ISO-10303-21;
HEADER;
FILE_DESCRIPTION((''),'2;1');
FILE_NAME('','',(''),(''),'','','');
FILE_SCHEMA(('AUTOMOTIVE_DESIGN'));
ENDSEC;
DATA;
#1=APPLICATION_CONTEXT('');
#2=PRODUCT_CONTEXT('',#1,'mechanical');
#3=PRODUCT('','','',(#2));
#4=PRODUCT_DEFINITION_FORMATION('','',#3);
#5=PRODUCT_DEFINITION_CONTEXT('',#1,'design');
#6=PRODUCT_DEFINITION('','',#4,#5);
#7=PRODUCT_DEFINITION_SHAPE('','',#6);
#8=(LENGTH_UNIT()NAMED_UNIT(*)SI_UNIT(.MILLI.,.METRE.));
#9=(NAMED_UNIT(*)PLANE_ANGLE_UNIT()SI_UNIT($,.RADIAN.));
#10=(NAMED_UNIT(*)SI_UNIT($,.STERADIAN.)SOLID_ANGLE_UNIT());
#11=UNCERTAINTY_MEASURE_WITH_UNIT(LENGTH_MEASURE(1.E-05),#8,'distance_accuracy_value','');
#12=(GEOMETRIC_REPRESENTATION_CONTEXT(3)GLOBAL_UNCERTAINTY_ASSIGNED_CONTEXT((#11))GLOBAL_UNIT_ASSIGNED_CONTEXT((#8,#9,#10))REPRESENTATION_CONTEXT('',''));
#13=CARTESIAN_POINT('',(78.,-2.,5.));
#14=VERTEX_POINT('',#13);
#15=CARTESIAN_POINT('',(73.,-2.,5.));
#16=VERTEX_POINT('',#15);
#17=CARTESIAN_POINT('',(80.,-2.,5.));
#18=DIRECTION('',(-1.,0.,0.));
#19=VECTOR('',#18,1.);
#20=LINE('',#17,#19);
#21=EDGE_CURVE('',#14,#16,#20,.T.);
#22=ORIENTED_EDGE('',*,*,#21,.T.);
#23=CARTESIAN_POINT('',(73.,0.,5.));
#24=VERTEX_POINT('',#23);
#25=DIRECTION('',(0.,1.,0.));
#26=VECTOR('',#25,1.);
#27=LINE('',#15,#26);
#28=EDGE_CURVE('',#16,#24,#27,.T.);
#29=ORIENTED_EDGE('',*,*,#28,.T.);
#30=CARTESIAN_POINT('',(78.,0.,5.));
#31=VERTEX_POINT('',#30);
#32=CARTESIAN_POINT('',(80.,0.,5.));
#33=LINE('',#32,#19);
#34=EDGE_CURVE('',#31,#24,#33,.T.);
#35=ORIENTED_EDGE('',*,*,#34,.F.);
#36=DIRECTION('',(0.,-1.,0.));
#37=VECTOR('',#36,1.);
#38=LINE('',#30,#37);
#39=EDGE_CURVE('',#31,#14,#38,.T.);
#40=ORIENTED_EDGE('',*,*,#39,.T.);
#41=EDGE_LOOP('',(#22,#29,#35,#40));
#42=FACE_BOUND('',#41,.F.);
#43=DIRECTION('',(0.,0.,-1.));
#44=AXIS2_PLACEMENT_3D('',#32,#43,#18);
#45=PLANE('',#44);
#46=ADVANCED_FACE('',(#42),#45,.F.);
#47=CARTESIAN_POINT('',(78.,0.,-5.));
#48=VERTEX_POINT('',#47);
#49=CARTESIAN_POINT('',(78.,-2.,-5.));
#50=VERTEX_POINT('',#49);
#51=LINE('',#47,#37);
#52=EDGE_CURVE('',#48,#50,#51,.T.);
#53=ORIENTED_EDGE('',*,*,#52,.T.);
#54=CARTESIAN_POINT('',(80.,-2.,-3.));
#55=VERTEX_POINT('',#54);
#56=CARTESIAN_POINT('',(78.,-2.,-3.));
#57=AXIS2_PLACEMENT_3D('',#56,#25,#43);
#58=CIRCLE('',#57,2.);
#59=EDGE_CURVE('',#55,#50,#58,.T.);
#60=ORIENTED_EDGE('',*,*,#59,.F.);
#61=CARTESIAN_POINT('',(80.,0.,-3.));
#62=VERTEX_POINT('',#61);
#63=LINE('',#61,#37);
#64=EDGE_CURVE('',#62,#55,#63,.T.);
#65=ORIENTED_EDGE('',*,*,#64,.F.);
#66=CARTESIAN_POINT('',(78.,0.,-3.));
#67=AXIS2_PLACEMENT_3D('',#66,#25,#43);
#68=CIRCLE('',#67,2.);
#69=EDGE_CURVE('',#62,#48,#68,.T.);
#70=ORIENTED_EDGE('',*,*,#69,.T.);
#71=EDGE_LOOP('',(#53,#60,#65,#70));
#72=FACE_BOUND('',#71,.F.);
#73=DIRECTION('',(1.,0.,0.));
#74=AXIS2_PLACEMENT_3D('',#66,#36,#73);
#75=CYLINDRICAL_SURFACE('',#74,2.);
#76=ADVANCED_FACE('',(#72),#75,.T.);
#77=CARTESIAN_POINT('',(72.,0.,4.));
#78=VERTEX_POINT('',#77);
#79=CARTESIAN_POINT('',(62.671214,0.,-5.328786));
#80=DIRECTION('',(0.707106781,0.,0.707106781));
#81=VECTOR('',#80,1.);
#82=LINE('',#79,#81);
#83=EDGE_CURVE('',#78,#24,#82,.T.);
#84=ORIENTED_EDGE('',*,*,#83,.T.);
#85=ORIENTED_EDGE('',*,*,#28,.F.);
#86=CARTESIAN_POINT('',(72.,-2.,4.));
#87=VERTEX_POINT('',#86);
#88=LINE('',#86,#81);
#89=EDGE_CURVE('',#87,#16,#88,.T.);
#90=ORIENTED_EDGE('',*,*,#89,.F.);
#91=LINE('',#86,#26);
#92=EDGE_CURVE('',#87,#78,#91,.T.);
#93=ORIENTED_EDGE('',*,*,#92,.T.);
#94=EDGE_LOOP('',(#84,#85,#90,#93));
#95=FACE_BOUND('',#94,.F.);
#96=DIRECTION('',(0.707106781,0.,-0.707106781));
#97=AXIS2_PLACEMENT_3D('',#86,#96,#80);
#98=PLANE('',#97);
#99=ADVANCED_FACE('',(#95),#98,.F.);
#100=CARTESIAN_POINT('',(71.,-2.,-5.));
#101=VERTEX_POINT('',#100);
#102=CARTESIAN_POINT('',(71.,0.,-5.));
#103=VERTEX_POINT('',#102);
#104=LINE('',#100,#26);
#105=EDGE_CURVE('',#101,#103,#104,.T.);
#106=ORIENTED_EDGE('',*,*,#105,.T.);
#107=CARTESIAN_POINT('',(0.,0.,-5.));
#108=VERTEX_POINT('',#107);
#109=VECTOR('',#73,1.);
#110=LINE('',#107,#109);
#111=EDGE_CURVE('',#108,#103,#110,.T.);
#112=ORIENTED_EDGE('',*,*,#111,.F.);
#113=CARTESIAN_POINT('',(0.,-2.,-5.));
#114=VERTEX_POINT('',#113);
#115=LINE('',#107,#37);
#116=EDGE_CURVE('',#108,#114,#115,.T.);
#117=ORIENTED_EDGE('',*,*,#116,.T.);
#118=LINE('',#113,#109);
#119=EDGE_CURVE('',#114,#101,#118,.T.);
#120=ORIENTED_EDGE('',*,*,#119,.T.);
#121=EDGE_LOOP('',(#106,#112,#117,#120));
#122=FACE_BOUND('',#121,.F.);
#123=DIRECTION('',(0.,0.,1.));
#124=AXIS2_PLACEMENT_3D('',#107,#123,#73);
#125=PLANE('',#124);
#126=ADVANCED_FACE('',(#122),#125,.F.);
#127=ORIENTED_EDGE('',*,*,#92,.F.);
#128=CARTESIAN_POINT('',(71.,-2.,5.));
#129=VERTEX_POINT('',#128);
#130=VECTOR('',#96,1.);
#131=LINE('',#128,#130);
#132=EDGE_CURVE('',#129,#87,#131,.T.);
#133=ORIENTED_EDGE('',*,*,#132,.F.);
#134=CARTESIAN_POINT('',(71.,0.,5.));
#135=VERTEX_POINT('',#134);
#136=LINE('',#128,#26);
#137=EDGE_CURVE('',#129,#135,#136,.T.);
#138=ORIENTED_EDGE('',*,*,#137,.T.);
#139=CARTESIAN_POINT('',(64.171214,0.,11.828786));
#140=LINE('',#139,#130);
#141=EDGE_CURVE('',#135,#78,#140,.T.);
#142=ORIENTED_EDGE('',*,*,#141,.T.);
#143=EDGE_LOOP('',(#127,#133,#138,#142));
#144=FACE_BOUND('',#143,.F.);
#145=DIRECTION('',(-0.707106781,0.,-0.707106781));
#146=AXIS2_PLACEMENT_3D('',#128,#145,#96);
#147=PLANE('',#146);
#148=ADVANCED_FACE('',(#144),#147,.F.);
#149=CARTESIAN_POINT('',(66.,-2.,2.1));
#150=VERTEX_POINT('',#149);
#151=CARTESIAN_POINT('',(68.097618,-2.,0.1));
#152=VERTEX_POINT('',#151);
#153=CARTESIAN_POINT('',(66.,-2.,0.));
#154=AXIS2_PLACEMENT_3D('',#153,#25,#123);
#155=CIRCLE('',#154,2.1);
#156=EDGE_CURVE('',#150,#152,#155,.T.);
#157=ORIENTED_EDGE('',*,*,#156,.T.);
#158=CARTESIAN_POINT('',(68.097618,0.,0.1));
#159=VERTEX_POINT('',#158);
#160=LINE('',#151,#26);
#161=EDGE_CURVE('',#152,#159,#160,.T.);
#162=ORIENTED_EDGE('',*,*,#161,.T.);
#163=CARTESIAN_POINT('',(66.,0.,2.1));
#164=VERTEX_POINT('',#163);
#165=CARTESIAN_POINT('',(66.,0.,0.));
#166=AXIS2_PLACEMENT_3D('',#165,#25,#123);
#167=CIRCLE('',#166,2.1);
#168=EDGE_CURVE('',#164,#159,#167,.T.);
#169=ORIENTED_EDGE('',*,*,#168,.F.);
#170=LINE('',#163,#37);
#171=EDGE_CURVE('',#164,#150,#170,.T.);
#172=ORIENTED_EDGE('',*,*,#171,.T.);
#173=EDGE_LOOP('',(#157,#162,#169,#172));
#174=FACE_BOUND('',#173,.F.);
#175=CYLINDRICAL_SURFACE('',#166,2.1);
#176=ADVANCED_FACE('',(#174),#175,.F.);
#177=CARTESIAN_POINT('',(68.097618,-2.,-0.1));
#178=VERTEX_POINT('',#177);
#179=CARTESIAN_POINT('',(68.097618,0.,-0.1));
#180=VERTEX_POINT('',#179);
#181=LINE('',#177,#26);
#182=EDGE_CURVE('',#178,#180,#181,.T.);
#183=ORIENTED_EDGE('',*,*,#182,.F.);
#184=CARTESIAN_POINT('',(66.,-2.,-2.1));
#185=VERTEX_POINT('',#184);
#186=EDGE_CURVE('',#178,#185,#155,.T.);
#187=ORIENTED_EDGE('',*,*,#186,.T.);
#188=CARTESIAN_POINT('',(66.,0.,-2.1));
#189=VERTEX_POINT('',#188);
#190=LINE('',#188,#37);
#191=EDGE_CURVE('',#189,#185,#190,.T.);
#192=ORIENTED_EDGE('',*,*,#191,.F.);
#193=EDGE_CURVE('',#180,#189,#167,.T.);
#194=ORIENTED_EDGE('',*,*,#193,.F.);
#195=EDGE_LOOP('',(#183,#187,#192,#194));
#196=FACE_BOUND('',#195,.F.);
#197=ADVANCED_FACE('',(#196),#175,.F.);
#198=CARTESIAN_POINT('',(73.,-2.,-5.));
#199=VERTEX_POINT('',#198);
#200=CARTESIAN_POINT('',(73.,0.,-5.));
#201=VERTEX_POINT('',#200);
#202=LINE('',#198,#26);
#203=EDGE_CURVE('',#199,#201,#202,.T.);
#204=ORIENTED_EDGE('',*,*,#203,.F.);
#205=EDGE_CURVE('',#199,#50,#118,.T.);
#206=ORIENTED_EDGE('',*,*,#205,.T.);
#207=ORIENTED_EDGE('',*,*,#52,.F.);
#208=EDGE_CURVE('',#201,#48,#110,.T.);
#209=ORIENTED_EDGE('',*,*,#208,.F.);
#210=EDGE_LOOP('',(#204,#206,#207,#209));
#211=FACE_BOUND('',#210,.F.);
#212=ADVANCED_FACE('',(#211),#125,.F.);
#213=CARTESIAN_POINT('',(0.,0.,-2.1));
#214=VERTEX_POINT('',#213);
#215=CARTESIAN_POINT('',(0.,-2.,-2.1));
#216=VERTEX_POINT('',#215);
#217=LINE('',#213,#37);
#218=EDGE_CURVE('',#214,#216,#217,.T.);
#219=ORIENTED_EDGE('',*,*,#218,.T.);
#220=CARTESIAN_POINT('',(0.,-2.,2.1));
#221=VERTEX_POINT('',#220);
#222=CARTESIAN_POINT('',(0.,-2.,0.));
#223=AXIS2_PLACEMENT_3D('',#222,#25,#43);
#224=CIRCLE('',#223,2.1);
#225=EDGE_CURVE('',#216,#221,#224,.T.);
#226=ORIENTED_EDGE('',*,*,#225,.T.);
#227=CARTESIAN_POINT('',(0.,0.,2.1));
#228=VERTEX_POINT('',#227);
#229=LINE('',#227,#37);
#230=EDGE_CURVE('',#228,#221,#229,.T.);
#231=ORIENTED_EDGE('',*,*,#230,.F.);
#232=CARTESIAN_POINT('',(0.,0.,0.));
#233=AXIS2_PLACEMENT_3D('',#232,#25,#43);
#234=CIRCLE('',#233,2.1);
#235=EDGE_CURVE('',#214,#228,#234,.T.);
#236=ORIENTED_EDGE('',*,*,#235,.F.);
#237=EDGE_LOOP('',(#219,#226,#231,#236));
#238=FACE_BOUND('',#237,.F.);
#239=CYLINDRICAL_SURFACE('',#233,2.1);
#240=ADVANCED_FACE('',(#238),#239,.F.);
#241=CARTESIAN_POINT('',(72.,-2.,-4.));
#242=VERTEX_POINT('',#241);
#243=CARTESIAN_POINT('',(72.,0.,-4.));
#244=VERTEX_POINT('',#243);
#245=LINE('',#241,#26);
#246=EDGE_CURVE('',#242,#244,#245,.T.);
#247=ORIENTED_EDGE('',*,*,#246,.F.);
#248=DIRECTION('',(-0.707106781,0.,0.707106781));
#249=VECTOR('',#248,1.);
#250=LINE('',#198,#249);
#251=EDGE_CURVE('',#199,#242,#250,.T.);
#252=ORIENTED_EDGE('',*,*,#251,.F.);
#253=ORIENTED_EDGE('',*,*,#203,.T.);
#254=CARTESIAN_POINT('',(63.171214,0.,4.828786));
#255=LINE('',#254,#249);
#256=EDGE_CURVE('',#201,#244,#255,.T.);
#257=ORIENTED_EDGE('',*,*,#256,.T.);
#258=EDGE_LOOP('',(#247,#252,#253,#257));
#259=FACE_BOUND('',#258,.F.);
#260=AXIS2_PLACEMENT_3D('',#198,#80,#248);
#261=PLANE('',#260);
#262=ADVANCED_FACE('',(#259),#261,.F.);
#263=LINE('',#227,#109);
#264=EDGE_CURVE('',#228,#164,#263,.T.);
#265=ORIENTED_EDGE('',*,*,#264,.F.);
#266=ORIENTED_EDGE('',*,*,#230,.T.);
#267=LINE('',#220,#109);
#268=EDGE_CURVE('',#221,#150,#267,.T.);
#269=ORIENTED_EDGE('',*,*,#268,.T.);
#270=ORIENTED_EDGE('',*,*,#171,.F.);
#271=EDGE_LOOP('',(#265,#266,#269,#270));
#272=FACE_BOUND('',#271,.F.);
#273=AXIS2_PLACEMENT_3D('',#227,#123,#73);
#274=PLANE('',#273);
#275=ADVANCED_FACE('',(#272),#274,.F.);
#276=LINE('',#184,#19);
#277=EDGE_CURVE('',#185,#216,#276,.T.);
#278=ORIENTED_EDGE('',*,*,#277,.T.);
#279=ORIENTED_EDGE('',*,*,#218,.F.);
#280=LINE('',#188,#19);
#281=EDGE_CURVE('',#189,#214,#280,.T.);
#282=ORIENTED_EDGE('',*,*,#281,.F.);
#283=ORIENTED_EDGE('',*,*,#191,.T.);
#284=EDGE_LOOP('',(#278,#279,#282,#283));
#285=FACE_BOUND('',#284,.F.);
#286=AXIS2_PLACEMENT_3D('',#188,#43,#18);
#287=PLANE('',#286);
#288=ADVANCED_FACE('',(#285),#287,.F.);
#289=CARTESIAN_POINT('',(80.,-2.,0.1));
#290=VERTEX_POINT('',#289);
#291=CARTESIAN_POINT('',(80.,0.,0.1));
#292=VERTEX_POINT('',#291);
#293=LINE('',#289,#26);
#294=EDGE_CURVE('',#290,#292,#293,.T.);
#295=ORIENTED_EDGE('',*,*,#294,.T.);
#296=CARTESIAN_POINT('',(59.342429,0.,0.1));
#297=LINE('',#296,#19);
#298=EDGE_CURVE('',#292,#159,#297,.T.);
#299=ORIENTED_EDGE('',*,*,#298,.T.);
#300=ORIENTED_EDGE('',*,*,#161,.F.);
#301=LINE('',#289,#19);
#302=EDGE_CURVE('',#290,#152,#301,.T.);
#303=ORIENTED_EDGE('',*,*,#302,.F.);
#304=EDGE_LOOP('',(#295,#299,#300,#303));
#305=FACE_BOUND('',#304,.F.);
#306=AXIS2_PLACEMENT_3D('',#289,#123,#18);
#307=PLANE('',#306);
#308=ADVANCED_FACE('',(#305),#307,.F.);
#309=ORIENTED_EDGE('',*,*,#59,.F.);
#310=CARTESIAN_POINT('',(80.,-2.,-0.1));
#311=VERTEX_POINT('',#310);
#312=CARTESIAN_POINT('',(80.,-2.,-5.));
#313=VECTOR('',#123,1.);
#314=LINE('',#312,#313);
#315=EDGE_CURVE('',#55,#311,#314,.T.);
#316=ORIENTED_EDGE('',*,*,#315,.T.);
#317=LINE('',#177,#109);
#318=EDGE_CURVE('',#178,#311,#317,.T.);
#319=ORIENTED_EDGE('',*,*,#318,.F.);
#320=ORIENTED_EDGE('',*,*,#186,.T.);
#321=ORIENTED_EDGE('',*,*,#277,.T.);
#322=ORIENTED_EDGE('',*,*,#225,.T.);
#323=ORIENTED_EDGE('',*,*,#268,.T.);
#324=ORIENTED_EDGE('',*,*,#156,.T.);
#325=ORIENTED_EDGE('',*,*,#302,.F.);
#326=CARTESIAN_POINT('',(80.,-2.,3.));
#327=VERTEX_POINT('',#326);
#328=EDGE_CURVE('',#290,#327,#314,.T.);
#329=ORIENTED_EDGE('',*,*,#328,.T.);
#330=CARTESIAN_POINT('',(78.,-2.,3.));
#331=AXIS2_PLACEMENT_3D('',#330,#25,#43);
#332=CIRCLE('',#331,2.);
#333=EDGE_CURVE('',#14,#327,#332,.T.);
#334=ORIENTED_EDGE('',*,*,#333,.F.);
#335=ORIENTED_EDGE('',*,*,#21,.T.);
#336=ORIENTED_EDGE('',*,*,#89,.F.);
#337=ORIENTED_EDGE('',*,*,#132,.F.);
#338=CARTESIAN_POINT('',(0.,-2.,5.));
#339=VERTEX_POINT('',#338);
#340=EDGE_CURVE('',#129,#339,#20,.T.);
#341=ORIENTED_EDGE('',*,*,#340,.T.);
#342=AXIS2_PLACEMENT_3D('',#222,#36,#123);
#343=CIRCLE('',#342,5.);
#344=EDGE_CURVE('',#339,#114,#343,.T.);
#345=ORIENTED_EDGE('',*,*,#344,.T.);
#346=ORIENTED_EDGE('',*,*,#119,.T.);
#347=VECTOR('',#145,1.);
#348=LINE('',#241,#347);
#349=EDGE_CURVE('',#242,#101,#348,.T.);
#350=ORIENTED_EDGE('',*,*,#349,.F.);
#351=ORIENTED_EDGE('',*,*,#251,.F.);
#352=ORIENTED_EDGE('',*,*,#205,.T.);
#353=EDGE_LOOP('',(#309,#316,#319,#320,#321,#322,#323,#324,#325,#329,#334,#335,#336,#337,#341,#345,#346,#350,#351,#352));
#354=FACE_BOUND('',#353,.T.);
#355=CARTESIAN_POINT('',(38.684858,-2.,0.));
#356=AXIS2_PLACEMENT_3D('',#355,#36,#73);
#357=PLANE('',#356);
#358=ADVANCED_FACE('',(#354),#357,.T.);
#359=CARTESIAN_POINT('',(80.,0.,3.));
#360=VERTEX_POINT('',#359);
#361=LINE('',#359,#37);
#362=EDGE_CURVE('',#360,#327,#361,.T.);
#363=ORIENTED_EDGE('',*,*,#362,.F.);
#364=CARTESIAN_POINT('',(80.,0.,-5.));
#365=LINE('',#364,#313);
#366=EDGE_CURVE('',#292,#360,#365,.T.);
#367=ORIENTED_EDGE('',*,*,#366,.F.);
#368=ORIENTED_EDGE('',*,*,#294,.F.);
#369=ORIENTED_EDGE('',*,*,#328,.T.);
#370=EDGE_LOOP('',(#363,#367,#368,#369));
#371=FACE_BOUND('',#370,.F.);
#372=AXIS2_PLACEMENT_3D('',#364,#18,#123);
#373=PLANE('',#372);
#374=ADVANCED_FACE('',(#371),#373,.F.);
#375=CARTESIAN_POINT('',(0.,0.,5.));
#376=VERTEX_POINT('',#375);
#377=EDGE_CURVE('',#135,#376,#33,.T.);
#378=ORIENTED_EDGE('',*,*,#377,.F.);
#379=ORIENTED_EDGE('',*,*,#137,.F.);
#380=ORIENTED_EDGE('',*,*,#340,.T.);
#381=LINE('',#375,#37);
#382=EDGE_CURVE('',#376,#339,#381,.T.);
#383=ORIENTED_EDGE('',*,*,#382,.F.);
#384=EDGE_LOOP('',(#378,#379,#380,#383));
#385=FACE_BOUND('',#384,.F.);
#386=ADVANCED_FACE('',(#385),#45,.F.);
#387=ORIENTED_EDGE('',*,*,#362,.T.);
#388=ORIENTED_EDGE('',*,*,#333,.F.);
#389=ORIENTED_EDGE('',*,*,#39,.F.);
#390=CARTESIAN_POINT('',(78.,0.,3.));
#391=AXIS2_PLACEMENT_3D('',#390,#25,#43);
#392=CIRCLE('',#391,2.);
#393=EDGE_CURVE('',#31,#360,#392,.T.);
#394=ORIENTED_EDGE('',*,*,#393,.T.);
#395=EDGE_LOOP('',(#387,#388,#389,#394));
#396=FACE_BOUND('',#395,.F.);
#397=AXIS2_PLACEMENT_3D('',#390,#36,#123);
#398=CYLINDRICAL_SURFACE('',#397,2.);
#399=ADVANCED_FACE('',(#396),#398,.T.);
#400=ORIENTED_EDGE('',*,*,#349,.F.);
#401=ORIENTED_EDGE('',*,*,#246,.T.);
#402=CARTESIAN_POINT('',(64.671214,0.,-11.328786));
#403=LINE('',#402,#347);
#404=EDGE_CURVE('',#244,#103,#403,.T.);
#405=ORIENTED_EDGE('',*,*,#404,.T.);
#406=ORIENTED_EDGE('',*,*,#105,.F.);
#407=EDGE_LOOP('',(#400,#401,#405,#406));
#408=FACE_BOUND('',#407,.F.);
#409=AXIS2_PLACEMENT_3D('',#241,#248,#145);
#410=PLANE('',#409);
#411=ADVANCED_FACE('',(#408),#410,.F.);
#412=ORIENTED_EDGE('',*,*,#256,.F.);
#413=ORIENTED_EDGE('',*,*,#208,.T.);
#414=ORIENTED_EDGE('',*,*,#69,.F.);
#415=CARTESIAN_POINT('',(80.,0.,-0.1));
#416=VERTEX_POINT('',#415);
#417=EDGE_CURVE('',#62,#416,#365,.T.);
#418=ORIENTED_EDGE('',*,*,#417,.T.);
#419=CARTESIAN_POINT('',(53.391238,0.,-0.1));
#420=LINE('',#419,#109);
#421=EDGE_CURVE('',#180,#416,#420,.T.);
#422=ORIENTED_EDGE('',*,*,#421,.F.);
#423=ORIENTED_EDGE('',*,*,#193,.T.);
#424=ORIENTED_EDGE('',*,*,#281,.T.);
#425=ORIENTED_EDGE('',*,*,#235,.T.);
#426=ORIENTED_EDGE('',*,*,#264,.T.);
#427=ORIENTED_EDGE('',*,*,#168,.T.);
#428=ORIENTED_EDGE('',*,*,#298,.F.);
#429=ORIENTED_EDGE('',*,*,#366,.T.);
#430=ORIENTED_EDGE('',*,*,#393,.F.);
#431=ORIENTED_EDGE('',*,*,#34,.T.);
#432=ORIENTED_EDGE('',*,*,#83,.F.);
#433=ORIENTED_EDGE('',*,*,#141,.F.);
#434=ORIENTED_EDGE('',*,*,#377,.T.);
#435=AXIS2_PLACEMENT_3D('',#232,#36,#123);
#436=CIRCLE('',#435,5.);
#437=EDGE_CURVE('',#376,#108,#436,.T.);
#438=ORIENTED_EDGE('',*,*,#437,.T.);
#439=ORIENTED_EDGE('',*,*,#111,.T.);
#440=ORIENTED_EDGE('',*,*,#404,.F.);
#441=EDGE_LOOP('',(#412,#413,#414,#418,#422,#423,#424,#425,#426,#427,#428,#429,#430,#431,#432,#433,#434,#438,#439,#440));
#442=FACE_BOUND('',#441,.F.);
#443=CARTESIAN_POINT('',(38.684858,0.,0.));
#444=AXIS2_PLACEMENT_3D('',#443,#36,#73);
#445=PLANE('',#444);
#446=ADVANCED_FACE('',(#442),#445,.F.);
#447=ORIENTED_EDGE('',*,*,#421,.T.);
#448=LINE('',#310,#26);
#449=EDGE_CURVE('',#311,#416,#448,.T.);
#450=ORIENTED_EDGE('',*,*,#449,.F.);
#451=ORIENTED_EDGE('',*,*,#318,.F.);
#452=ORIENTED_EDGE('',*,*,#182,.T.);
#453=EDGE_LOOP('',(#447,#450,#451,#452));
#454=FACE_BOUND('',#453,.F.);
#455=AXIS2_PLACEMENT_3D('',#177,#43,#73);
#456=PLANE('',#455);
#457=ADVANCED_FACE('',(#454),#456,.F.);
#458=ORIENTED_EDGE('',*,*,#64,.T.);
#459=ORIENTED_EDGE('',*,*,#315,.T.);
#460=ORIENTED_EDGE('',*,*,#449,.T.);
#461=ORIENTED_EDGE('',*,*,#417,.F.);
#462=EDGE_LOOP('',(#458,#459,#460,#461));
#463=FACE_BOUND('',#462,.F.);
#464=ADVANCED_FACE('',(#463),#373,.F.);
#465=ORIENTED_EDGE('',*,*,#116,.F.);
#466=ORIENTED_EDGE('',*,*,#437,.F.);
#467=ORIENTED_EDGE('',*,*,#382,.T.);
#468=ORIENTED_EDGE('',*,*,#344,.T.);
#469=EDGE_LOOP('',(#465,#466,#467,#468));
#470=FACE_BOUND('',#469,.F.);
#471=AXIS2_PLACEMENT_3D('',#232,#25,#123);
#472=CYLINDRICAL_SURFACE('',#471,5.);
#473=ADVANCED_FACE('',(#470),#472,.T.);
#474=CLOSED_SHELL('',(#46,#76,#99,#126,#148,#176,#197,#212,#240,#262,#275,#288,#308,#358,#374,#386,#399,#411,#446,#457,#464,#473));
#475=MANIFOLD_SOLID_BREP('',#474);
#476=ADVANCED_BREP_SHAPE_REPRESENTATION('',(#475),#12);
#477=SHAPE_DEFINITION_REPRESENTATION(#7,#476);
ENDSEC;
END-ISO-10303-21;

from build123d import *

# Parameters (mm, degrees)
F1_DEPTH = 2
F3_DEPTH = 2.001
F4_R     = 2
F6_DEPTH = 2.001


with BuildPart() as f1:
    # F0 (on Front) → F1 (new body)
    with BuildSketch(Plane.XZ):
        with BuildLine():
            Line((80, 5), (0, 5))
            ThreePointArc((0, 5), (-5, 0), (0, -5))
            Line((0, -5), (80, -5))
            Line((80, -5), (80, 5))
        make_face()
        with BuildLine():
            Line((66, -2.1), (0, -2.1))
            ThreePointArc((0, -2.1), (-2.1, 0), (0, 2.1))
            Line((0, 2.1), (66, 2.1))
            ThreePointArc((66, 2.1), (68.1, 0), (66, -2.1))
        make_face(mode=Mode.SUBTRACT)
    extrude(amount=F1_DEPTH)

    # F2 (on face) → F3 (cut, through all)
    with BuildSketch(Plane.XZ.offset(2)):
        Polygon((73, 5), (71, 5), (72, 4), align=None)
        Polygon((73, -5), (72, -4), (71, -5), align=None)
    extrude(amount=-F3_DEPTH, mode=Mode.SUBTRACT)

    # F4
    f4_edges = [f1.edges().sort_by_distance(p)[0] for p in [
        (80, -1, 5),
        (80, -1, -5),
    ]]
    fillet(f4_edges, radius=F4_R)

    # F5 (on face) → F6 (cut, through all)
    with BuildSketch(Plane.XZ.offset(2)):
        with BuildLine():
            Line((80, -0.1), (80, 0.1))
            Line((80, 0.1), (68.0976176963, 0.1))
            ThreePointArc((68.0976176963, 0.1), (68.1, 0), (68.0976176963, -0.1))
            Line((68.0976176963, -0.1), (80, -0.1))
        make_face()
    extrude(amount=-F6_DEPTH, mode=Mode.SUBTRACT)


solid = f1.part
